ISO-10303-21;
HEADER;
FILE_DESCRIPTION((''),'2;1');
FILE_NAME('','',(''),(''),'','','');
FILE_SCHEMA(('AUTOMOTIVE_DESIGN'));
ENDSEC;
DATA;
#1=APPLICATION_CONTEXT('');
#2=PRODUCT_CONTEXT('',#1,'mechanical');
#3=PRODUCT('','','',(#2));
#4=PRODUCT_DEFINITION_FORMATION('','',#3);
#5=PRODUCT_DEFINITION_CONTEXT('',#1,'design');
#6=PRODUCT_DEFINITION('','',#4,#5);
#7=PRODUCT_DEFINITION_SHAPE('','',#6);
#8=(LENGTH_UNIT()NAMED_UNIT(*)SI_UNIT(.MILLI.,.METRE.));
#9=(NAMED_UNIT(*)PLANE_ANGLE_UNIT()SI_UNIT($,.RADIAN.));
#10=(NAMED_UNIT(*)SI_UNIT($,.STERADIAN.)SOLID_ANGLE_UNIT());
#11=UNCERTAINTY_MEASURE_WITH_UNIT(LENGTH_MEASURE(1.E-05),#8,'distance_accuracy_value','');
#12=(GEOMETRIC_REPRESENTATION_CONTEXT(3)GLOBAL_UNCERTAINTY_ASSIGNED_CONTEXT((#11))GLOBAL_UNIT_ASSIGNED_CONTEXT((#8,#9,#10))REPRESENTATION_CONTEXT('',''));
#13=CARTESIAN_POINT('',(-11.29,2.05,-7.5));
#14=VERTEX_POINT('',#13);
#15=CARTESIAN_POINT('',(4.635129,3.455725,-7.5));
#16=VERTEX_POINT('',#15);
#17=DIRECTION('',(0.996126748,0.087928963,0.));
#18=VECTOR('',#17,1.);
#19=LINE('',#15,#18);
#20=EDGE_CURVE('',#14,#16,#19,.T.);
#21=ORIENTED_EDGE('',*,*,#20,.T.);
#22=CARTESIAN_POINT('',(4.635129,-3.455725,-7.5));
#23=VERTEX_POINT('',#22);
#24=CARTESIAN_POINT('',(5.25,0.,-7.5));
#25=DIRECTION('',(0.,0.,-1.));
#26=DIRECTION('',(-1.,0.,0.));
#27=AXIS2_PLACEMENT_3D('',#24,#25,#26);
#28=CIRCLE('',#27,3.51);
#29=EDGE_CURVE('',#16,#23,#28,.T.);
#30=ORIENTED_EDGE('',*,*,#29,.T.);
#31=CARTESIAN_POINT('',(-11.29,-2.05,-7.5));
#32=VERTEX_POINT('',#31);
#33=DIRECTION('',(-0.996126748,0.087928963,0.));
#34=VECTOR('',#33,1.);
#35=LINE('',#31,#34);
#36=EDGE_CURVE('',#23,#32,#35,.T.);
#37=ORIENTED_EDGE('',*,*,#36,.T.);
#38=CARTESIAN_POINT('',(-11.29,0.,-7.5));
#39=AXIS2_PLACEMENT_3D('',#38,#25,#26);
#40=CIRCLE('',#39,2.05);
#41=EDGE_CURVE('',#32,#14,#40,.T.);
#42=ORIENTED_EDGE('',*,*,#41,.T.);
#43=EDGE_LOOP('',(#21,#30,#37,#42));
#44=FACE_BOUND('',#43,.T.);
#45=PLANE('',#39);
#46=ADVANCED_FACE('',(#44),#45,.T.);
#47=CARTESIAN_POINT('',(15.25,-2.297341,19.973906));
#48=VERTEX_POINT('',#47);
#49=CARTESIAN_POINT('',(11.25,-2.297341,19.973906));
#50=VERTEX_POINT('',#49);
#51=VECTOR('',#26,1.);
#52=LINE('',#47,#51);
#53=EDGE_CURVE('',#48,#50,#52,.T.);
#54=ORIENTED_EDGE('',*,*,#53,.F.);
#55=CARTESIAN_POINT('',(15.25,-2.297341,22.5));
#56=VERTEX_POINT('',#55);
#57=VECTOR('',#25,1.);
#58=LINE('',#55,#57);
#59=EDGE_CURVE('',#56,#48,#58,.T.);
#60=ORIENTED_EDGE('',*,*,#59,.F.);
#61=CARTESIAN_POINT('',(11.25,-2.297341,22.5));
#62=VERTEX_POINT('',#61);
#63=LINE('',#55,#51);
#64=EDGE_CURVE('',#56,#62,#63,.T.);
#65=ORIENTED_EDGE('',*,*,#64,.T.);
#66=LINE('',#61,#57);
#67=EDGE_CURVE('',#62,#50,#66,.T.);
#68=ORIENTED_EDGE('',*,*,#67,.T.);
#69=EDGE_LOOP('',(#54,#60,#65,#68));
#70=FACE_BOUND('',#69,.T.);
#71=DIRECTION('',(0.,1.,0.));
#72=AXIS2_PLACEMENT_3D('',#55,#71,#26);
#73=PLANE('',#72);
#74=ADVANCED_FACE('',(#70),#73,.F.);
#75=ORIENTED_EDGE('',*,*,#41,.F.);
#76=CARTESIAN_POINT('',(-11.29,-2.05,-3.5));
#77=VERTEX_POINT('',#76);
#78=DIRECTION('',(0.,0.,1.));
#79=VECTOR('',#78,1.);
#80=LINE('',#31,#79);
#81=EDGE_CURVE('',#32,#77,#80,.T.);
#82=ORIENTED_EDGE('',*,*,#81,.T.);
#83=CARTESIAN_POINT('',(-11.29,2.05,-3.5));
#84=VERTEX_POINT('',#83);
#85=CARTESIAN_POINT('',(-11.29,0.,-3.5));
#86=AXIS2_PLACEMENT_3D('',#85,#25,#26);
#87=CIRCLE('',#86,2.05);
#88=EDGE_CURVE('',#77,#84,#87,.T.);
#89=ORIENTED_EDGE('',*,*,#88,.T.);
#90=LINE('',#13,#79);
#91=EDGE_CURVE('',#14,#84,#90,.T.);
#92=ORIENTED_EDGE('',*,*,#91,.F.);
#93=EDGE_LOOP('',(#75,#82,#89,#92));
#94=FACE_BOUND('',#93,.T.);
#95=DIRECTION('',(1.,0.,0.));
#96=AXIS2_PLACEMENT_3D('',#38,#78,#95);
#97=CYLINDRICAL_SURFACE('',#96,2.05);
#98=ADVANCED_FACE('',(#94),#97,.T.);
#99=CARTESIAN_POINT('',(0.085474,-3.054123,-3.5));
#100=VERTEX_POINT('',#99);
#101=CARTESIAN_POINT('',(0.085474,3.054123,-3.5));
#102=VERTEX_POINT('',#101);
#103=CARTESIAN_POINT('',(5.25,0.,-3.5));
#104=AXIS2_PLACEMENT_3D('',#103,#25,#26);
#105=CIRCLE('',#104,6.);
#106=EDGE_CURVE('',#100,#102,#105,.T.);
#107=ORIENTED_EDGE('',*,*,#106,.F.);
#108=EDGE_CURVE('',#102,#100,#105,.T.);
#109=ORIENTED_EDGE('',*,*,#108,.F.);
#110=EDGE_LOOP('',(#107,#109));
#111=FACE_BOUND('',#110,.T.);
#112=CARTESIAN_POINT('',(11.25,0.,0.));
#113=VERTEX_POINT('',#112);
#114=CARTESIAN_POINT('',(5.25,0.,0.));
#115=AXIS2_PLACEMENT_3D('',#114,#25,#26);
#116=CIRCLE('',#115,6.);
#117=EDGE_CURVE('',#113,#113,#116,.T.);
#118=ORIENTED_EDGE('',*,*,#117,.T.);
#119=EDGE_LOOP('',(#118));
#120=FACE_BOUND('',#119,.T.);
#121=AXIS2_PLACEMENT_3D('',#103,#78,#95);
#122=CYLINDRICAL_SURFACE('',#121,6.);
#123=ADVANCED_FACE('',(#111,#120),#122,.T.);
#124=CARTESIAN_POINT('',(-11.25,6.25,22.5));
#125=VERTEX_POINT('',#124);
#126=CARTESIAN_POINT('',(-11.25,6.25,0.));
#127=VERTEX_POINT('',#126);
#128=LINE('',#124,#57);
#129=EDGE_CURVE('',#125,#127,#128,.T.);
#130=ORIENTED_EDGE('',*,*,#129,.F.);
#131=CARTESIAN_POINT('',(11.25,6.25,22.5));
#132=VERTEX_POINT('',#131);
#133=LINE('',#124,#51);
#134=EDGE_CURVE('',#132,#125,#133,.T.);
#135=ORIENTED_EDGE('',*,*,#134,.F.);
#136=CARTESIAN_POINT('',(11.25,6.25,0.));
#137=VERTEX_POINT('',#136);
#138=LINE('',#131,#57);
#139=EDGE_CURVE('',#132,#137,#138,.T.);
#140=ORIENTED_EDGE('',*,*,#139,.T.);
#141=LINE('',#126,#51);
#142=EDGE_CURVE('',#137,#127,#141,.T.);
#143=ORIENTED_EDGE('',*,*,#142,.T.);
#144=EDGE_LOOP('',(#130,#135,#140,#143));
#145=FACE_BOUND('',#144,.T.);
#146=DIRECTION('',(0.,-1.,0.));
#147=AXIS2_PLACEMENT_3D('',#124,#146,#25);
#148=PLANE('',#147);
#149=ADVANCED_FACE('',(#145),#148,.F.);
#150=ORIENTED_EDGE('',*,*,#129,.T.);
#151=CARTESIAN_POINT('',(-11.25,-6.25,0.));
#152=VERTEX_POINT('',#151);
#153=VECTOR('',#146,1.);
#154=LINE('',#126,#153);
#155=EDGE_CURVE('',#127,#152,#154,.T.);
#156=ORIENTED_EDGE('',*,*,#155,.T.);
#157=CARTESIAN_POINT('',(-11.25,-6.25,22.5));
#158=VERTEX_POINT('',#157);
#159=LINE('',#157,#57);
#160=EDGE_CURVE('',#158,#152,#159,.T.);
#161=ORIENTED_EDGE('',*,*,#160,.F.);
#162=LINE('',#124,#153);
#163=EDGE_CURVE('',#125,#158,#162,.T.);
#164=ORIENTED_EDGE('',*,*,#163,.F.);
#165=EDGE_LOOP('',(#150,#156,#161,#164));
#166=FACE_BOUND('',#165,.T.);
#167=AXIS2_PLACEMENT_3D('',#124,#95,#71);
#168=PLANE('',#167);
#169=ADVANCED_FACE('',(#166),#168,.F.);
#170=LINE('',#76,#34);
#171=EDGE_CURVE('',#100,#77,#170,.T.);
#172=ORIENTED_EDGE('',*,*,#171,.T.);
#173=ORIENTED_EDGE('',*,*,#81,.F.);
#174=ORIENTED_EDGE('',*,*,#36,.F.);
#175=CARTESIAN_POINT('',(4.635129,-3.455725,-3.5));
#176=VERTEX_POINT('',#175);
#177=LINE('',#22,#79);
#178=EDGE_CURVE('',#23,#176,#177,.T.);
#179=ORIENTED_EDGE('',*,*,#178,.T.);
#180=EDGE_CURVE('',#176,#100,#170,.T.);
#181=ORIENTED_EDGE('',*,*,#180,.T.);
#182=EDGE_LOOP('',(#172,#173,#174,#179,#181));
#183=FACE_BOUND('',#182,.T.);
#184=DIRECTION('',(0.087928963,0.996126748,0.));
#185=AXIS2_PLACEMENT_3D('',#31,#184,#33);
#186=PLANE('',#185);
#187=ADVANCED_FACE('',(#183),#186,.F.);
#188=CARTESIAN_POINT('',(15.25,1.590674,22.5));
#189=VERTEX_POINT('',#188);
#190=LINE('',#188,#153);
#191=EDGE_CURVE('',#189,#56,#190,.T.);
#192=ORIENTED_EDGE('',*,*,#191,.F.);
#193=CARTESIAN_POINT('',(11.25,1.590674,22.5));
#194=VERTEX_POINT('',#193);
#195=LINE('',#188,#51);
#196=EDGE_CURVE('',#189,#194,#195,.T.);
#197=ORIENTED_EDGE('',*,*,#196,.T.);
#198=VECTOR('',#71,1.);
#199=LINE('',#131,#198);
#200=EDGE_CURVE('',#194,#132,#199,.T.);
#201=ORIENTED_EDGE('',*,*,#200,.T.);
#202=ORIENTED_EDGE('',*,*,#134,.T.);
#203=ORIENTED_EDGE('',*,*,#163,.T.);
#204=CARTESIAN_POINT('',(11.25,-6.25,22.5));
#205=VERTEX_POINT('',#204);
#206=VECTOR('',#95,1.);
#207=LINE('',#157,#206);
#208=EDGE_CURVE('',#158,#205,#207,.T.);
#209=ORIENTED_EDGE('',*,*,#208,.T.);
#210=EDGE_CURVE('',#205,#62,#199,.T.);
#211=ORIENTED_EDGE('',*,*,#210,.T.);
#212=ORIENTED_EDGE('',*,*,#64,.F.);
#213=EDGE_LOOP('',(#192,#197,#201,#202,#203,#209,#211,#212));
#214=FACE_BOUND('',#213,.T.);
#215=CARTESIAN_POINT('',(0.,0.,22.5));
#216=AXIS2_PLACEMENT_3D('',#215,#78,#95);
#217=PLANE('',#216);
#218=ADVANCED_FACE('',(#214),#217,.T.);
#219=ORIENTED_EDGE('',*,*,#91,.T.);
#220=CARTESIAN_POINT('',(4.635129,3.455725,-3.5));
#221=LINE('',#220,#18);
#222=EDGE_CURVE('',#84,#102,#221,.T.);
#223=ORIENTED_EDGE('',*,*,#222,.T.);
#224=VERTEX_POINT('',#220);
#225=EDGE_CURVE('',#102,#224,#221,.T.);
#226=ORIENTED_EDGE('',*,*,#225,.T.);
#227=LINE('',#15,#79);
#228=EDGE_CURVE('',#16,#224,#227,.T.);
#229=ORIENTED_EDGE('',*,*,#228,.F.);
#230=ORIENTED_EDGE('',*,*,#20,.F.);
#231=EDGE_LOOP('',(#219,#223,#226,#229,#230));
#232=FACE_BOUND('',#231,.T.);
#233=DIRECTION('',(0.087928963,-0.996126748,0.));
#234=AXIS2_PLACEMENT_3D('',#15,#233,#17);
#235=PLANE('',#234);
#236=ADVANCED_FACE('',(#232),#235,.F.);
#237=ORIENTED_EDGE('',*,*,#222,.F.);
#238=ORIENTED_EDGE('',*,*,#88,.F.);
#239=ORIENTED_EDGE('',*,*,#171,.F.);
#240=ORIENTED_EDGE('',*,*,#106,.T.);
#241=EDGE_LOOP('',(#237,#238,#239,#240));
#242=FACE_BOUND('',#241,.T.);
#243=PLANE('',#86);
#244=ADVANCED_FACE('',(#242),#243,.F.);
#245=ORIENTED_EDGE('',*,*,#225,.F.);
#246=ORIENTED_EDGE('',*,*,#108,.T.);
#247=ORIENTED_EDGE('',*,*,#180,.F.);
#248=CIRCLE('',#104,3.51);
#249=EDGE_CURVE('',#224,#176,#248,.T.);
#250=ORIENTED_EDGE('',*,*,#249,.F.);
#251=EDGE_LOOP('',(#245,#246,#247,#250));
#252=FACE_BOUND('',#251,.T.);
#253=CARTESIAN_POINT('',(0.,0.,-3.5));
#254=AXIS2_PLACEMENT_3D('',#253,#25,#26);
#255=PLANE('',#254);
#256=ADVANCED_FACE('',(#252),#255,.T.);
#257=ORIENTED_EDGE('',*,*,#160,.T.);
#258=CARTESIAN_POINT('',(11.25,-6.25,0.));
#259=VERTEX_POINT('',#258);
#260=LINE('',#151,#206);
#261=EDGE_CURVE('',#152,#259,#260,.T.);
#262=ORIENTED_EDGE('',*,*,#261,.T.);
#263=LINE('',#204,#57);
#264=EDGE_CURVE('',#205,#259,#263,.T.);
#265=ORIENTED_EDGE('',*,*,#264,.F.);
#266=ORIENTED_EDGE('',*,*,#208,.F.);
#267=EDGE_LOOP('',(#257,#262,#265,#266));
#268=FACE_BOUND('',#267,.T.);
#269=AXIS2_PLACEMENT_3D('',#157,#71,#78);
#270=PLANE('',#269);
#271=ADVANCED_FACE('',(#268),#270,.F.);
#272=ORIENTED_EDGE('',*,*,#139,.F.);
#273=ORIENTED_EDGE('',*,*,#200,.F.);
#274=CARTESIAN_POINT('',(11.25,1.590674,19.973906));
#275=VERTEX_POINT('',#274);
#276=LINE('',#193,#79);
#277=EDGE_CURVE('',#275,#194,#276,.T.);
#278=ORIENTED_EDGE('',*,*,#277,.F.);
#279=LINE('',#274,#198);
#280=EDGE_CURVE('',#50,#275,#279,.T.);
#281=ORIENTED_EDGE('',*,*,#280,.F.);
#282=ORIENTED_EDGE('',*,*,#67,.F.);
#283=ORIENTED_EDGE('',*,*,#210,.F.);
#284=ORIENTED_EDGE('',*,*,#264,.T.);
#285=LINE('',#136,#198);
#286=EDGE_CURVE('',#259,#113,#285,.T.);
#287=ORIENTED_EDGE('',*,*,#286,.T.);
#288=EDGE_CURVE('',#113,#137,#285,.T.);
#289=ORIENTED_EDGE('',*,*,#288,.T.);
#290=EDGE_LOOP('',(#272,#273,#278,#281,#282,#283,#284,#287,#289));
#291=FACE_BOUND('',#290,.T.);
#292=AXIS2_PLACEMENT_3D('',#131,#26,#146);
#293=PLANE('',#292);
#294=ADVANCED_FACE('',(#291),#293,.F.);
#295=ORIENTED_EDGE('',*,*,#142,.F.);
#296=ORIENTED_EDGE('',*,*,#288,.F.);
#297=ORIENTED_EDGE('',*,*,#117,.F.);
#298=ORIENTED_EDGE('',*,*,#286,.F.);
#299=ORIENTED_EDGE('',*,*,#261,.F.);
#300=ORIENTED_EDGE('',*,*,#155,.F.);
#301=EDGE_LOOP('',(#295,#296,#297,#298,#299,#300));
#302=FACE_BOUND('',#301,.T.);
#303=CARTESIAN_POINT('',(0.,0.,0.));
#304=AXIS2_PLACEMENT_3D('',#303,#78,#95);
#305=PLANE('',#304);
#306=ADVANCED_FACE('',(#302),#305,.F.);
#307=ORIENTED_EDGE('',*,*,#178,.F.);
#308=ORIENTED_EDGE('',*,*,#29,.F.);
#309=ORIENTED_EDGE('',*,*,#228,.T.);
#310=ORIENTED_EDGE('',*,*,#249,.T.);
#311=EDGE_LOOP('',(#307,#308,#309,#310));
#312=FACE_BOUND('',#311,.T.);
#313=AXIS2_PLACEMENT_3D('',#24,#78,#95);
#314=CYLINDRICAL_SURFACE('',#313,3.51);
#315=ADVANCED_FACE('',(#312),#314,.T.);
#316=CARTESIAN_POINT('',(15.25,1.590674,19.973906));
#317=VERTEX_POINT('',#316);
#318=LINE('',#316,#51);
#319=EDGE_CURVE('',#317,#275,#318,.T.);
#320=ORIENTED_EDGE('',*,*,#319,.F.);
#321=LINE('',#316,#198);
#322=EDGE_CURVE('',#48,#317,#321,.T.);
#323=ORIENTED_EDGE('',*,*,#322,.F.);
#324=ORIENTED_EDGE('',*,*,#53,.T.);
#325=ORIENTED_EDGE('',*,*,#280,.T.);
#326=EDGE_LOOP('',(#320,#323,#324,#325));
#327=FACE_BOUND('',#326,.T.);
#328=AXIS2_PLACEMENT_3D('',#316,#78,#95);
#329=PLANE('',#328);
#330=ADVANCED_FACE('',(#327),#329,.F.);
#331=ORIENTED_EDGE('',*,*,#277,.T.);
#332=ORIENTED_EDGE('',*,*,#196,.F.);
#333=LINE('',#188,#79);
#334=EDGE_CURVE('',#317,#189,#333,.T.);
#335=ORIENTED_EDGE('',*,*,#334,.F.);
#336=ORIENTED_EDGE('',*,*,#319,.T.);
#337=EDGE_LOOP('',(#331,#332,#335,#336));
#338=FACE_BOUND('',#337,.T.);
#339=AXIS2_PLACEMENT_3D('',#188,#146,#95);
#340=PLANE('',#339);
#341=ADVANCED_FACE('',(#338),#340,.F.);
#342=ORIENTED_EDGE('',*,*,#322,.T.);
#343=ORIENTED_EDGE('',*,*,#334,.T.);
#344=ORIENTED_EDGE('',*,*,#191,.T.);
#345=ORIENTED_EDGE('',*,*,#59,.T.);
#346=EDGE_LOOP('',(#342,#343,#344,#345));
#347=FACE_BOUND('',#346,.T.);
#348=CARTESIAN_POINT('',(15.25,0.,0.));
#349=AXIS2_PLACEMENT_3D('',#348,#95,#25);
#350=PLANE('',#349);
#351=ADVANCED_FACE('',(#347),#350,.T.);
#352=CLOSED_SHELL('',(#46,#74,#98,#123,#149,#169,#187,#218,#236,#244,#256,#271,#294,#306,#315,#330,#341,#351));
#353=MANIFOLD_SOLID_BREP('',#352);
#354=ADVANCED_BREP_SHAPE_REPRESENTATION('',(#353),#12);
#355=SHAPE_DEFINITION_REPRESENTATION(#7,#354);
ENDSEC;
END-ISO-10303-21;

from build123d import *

# Parameters (mm, degrees)
SKETCH1_W           = 22.5
SKETCH1_H           = 12.5
BOSS_EXTRUDE1_DEPTH = 22.5
SKETCH2_R           = 6
BOSS_EXTRUDE2_DEPTH = 3.5
BOSS_EXTRUDE4_DEPTH = 4
SKETCH6_W           = 2.526093831
SKETCH6_H           = 3.888015028
BOSS_EXTRUDE5_DEPTH = 4


with BuildPart() as part:
    # Sketch1 → Boss-Extrude1 (new body)
    with BuildSketch(Plane.XY):
        Rectangle(SKETCH1_W, SKETCH1_H)
    extrude(amount=BOSS_EXTRUDE1_DEPTH)

    # Sketch2 → Boss-Extrude2 (add)
    with BuildSketch(Plane(origin=(0, 0, 0), x_dir=(-1, 0, 0), z_dir=(0, 0, -1))):
        with Locations((-5.25, 0)):
            Circle(SKETCH2_R)
    extrude(amount=BOSS_EXTRUDE2_DEPTH)

    # Sketch5 → Boss-Extrude4 (add)
    with BuildSketch(Plane(origin=(0, 0, -3.5), x_dir=(-1, 0, 0), z_dir=(0, 0, -1))):
        with BuildLine():
            Line((-4.635129487, 3.455724852), (11.29, 2.05))
            ThreePointArc((11.29, 2.05), (13.34, 0), (11.29, -2.05))
            Line((11.29, -2.05), (-4.635129487, -3.455724852))
            ThreePointArc((-4.635129487, -3.455724852), (-8.76, 0), (-4.635129487, 3.455724852))
        make_face()
    extrude(amount=BOSS_EXTRUDE4_DEPTH)

    # Sketch6 → Boss-Extrude5 (add)
    with BuildSketch(Plane(origin=(11.25, 0, 0), x_dir=(0, 0, -1), z_dir=(1, 0, 0))):
        with Locations((-21.236953085, -0.353333214)):
            Rectangle(SKETCH6_W, SKETCH6_H)
    extrude(amount=BOSS_EXTRUDE5_DEPTH)


solid = part.part
